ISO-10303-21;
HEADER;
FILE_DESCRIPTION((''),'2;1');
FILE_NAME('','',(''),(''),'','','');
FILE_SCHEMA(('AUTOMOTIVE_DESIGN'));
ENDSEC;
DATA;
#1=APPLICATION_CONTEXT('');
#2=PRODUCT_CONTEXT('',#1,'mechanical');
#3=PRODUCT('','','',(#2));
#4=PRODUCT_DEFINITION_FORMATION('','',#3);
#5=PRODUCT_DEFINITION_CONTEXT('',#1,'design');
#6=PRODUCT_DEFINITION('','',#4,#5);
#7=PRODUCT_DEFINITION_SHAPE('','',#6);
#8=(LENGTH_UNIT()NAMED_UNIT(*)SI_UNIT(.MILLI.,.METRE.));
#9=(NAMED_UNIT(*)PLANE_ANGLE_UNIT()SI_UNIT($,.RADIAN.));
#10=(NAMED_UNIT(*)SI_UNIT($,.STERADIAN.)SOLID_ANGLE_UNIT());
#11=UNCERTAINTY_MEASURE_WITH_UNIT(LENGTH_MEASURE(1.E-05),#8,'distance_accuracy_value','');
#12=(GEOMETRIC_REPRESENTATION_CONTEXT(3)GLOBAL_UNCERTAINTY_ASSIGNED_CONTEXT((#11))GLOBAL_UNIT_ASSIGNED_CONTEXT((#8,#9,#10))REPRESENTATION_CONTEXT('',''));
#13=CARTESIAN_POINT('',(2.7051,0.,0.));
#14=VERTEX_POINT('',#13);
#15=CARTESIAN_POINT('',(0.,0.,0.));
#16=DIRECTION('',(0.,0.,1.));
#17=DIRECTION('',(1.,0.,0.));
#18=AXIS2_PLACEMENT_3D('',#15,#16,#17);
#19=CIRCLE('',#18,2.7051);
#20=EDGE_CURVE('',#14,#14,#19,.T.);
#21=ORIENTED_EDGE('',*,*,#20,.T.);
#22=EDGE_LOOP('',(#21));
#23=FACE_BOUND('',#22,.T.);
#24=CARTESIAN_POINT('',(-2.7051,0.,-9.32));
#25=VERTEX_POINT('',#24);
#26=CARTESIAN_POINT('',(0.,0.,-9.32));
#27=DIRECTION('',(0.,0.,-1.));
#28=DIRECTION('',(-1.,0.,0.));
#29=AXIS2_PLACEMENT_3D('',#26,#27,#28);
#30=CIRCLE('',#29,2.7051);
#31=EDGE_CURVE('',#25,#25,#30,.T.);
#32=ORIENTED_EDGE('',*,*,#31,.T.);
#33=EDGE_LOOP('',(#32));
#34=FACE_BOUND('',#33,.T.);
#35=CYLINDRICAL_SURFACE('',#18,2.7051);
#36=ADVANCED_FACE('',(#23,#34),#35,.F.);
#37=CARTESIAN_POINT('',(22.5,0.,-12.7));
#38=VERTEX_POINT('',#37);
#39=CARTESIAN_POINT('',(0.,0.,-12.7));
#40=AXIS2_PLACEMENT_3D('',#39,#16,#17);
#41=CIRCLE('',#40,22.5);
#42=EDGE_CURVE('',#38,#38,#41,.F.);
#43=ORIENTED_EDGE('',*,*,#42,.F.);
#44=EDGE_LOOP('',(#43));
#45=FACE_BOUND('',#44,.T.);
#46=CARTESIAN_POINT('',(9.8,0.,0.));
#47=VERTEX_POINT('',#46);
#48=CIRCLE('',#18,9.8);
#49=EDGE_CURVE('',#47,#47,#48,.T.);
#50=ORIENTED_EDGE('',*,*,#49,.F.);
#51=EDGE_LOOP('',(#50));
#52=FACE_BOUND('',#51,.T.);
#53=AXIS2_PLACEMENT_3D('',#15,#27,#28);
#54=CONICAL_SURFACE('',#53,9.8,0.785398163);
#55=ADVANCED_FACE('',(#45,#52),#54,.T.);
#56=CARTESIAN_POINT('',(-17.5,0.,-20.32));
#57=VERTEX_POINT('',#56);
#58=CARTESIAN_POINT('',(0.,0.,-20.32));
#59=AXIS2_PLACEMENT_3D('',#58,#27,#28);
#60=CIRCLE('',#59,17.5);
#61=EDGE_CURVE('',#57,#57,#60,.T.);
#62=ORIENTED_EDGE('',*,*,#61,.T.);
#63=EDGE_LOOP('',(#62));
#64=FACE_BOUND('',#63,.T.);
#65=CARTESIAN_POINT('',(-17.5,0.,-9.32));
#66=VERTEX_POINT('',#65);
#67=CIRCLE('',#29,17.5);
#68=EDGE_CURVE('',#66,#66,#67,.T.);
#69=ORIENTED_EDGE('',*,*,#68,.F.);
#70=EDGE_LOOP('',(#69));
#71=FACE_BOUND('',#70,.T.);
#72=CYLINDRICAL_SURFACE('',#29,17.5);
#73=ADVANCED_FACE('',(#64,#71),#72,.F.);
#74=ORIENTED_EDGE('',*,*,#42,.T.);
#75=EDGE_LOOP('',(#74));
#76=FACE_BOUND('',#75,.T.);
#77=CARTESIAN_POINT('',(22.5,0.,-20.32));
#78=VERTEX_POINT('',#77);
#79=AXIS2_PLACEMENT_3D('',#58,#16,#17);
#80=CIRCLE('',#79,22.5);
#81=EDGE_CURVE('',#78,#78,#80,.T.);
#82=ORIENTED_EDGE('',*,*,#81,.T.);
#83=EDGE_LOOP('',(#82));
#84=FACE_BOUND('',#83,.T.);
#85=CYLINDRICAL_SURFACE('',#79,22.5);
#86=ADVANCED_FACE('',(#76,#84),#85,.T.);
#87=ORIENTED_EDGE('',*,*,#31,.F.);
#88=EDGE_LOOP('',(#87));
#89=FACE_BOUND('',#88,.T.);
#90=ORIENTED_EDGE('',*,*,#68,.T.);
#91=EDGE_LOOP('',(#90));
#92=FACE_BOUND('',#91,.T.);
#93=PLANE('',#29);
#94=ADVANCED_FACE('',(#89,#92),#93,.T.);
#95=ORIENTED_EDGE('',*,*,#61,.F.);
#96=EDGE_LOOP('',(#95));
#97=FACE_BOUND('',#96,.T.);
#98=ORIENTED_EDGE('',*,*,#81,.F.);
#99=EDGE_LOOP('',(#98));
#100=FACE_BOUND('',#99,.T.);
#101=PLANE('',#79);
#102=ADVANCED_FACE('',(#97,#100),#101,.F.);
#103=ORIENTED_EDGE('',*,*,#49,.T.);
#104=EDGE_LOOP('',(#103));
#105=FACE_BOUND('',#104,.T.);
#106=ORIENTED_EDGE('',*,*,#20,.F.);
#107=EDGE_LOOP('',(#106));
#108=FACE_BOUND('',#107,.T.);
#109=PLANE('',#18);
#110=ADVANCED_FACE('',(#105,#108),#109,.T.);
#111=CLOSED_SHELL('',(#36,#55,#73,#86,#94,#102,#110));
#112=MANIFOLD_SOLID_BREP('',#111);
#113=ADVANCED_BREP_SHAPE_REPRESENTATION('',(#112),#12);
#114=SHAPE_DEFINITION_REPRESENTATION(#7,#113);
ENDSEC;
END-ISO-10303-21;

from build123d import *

# Parameters (mm, degrees)
SKETCH1_R                   = 22.5
BOSS_EXTRUDE1_DEPTH         = 20.32
SKETCH2_R                   = 17.5
CUT_EXTRUDE1_DEPTH          = 11
F_1_4_28_TAPPED_HOLE1_D     = 5.4102
F_1_4_28_TAPPED_HOLE1_DEPTH = 9.32
CHAMFER1_SIZE               = 12.7


with BuildPart() as part:
    # Sketch1 → Boss-Extrude1 (new body)
    with BuildSketch(Plane.XY):
        Circle(SKETCH1_R)
    extrude(amount=-BOSS_EXTRUDE1_DEPTH)

    # Sketch2 → Cut-Extrude1 (cut)
    with BuildSketch(Plane(origin=(0, 0, -20.32), x_dir=(-1, 0, 0), z_dir=(0, 0, -1))):
        Circle(SKETCH2_R)
    extrude(amount=-CUT_EXTRUDE1_DEPTH, mode=Mode.SUBTRACT)

    # 1/4-28 Tapped Hole1
    with Locations(Plane.XY):
        with Locations((0, 0)):
            Hole(F_1_4_28_TAPPED_HOLE1_D / 2, depth=F_1_4_28_TAPPED_HOLE1_DEPTH)

    # Chamfer1
    chamfer1_edges = [part.edges().sort_by_distance(p)[0] for p in [
        (-22.5, 0, 0),
    ]]
    chamfer(chamfer1_edges, length=CHAMFER1_SIZE)


solid = part.part
